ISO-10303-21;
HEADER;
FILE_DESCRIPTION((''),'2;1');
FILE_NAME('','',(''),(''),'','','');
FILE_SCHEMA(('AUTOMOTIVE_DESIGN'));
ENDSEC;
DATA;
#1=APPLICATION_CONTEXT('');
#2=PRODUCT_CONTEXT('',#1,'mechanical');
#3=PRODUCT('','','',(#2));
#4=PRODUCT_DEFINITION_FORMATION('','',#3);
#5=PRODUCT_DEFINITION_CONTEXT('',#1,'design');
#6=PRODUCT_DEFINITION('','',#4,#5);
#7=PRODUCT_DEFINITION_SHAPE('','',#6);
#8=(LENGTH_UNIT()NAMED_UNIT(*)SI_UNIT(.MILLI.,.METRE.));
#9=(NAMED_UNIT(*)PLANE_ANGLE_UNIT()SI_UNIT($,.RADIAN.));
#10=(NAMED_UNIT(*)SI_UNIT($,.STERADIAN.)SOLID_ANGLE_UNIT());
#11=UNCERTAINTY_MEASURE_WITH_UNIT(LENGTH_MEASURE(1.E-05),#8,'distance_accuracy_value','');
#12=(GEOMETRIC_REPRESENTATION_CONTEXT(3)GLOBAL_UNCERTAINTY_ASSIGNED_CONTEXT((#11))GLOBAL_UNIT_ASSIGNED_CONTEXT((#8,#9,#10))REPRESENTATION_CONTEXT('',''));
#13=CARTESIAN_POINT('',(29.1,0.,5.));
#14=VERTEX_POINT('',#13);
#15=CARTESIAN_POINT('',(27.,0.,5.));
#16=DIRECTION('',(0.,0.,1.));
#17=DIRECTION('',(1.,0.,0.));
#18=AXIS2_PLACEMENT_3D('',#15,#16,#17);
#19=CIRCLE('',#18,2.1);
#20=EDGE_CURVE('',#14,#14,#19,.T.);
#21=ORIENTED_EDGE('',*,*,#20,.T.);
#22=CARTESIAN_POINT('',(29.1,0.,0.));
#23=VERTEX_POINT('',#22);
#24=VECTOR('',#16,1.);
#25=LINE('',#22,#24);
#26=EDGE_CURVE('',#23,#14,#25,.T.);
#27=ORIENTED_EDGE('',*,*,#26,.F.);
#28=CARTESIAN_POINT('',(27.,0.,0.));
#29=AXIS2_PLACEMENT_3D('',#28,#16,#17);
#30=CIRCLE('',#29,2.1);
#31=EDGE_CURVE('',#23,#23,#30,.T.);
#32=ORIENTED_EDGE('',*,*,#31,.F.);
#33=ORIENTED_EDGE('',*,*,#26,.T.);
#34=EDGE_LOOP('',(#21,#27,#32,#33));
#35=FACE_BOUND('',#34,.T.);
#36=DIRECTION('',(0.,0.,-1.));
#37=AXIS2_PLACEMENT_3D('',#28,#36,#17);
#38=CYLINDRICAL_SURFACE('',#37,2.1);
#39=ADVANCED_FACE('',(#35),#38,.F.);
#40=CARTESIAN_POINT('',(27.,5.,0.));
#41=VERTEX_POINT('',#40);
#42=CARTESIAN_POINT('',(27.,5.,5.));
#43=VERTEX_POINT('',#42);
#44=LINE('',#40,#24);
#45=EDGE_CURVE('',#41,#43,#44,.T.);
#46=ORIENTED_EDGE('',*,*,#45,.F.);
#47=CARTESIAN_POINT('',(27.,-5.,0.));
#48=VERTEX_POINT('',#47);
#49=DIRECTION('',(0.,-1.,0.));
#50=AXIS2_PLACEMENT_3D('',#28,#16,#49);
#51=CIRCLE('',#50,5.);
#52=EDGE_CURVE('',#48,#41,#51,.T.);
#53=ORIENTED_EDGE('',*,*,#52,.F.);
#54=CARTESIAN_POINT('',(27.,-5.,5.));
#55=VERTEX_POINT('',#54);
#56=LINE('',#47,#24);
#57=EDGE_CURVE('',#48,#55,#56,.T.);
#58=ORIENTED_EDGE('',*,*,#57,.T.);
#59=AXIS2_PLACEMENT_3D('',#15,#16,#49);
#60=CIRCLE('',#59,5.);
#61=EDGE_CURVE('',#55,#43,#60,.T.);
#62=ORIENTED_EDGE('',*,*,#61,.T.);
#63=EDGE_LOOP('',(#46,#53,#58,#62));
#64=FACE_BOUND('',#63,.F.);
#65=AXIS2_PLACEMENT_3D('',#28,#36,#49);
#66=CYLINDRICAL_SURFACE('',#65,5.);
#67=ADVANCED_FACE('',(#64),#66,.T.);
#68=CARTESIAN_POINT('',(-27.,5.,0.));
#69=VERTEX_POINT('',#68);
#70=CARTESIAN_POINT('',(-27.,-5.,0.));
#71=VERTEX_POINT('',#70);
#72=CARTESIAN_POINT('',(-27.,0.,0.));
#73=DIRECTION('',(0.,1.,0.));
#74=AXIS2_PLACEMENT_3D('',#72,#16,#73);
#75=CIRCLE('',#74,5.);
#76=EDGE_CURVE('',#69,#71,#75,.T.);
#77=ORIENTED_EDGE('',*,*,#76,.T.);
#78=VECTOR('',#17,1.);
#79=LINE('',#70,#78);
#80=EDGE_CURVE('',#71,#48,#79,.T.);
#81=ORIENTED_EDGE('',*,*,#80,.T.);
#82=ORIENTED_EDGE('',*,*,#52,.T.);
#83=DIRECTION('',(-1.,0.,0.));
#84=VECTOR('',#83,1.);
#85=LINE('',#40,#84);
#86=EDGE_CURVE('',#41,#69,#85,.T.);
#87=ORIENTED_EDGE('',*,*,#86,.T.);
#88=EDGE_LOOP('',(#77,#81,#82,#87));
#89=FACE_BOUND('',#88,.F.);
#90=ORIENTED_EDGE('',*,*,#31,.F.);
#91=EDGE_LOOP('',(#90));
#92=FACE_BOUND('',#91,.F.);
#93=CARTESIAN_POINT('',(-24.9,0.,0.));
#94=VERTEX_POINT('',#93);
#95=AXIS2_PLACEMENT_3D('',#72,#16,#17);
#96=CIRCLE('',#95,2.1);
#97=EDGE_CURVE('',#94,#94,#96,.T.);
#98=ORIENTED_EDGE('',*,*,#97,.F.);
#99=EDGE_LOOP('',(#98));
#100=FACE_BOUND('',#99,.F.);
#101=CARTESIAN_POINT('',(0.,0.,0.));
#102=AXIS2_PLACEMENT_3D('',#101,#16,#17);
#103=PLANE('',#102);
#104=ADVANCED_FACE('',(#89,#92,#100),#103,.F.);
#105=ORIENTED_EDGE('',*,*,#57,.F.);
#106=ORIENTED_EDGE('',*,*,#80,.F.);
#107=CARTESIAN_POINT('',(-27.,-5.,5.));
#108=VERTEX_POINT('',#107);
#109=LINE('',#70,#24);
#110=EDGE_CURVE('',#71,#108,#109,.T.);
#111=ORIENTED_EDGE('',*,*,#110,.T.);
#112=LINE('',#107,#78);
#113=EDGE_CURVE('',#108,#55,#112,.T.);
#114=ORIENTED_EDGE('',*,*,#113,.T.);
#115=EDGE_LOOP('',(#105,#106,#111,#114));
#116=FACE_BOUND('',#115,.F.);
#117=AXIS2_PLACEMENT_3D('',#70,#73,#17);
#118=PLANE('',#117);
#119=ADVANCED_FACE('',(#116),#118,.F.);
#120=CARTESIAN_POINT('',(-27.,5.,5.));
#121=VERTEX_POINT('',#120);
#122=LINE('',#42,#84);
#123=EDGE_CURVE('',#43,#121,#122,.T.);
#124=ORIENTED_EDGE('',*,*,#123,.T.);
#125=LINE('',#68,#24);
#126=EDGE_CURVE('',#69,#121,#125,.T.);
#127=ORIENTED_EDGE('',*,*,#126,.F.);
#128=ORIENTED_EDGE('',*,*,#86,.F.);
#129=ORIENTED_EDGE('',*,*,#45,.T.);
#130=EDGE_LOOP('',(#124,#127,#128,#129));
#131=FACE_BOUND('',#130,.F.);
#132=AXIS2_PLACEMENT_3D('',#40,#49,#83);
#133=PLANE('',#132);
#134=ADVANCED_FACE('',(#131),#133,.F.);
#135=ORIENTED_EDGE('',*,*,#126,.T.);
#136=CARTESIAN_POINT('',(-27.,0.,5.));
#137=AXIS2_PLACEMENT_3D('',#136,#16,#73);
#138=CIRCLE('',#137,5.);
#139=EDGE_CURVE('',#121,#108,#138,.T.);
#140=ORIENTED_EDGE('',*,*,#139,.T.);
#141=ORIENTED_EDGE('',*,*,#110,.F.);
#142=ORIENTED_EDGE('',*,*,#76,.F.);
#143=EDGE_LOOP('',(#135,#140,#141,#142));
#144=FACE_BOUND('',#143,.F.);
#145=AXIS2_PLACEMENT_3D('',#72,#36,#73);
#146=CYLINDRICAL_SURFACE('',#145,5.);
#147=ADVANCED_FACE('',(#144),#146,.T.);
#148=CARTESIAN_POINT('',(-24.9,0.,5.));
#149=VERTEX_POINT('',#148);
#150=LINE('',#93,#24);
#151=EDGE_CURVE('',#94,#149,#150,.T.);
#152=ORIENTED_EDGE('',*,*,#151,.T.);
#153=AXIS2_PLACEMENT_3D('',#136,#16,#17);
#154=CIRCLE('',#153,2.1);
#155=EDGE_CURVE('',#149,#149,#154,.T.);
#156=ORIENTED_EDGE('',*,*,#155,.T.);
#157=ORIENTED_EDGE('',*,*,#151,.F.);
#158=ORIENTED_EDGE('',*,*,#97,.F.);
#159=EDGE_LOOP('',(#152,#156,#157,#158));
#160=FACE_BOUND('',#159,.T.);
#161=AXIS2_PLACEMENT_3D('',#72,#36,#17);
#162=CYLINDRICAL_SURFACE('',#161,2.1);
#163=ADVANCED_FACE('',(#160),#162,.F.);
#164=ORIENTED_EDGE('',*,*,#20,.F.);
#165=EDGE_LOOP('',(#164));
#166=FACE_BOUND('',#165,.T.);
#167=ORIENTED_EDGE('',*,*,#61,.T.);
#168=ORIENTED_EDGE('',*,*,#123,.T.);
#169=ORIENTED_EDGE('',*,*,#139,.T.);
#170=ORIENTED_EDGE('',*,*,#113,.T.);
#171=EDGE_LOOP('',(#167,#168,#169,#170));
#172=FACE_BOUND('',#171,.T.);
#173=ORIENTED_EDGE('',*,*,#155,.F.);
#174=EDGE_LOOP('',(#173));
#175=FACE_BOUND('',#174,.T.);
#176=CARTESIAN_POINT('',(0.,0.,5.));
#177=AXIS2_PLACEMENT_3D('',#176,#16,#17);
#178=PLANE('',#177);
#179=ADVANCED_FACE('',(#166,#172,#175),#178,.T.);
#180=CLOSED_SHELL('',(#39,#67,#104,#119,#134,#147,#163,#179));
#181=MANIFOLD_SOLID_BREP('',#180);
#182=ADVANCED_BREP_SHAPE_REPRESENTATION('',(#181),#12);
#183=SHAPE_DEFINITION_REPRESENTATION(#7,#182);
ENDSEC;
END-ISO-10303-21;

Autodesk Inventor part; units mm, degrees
ref_plane "YZ Plane" through (0, 0, 0) normal (1, 0, 0) x (0, 1, 0)
ref_plane "XZ Plane" through (0, 0, 0) normal (0, 1, 0) x (-1, 0, 0)
ref_plane "XY Plane" through (0, 0, 0) normal (0, 0, 1) x (1, 0, 0)
sketch "Sketch1" plane through (0, 0, 0) normal (0, 0, 1) x (1, 0, 0)
  line L0 (-27, 0) -> (27, 0) construction
  line L1 (-27, -5) -> (27, -5)
  line L2 (27, 5) -> (-27, 5)
  arc A0 (-27, 5) -> (-27, -5) centre (-27, 0) ccw
  arc A1 (27, -5) -> (27, 5) centre (27, 0) ccw
  circle A2 centre (-27, 0) radius 2.1
  circle A3 centre (27, 0) radius 2.1
  point P0 (0, 0)
  point P1 (0, 0)
  point P2 (32, 0)
  dimension "d0" = 5
  dimension "d1" = 4.2
  dimension "d2" = 4.2
  dimension "d3" = 54
extrude "Extrusion1" add sketch "Sketch1" along normal blind 5
properties part number "gate-anchor-link"
